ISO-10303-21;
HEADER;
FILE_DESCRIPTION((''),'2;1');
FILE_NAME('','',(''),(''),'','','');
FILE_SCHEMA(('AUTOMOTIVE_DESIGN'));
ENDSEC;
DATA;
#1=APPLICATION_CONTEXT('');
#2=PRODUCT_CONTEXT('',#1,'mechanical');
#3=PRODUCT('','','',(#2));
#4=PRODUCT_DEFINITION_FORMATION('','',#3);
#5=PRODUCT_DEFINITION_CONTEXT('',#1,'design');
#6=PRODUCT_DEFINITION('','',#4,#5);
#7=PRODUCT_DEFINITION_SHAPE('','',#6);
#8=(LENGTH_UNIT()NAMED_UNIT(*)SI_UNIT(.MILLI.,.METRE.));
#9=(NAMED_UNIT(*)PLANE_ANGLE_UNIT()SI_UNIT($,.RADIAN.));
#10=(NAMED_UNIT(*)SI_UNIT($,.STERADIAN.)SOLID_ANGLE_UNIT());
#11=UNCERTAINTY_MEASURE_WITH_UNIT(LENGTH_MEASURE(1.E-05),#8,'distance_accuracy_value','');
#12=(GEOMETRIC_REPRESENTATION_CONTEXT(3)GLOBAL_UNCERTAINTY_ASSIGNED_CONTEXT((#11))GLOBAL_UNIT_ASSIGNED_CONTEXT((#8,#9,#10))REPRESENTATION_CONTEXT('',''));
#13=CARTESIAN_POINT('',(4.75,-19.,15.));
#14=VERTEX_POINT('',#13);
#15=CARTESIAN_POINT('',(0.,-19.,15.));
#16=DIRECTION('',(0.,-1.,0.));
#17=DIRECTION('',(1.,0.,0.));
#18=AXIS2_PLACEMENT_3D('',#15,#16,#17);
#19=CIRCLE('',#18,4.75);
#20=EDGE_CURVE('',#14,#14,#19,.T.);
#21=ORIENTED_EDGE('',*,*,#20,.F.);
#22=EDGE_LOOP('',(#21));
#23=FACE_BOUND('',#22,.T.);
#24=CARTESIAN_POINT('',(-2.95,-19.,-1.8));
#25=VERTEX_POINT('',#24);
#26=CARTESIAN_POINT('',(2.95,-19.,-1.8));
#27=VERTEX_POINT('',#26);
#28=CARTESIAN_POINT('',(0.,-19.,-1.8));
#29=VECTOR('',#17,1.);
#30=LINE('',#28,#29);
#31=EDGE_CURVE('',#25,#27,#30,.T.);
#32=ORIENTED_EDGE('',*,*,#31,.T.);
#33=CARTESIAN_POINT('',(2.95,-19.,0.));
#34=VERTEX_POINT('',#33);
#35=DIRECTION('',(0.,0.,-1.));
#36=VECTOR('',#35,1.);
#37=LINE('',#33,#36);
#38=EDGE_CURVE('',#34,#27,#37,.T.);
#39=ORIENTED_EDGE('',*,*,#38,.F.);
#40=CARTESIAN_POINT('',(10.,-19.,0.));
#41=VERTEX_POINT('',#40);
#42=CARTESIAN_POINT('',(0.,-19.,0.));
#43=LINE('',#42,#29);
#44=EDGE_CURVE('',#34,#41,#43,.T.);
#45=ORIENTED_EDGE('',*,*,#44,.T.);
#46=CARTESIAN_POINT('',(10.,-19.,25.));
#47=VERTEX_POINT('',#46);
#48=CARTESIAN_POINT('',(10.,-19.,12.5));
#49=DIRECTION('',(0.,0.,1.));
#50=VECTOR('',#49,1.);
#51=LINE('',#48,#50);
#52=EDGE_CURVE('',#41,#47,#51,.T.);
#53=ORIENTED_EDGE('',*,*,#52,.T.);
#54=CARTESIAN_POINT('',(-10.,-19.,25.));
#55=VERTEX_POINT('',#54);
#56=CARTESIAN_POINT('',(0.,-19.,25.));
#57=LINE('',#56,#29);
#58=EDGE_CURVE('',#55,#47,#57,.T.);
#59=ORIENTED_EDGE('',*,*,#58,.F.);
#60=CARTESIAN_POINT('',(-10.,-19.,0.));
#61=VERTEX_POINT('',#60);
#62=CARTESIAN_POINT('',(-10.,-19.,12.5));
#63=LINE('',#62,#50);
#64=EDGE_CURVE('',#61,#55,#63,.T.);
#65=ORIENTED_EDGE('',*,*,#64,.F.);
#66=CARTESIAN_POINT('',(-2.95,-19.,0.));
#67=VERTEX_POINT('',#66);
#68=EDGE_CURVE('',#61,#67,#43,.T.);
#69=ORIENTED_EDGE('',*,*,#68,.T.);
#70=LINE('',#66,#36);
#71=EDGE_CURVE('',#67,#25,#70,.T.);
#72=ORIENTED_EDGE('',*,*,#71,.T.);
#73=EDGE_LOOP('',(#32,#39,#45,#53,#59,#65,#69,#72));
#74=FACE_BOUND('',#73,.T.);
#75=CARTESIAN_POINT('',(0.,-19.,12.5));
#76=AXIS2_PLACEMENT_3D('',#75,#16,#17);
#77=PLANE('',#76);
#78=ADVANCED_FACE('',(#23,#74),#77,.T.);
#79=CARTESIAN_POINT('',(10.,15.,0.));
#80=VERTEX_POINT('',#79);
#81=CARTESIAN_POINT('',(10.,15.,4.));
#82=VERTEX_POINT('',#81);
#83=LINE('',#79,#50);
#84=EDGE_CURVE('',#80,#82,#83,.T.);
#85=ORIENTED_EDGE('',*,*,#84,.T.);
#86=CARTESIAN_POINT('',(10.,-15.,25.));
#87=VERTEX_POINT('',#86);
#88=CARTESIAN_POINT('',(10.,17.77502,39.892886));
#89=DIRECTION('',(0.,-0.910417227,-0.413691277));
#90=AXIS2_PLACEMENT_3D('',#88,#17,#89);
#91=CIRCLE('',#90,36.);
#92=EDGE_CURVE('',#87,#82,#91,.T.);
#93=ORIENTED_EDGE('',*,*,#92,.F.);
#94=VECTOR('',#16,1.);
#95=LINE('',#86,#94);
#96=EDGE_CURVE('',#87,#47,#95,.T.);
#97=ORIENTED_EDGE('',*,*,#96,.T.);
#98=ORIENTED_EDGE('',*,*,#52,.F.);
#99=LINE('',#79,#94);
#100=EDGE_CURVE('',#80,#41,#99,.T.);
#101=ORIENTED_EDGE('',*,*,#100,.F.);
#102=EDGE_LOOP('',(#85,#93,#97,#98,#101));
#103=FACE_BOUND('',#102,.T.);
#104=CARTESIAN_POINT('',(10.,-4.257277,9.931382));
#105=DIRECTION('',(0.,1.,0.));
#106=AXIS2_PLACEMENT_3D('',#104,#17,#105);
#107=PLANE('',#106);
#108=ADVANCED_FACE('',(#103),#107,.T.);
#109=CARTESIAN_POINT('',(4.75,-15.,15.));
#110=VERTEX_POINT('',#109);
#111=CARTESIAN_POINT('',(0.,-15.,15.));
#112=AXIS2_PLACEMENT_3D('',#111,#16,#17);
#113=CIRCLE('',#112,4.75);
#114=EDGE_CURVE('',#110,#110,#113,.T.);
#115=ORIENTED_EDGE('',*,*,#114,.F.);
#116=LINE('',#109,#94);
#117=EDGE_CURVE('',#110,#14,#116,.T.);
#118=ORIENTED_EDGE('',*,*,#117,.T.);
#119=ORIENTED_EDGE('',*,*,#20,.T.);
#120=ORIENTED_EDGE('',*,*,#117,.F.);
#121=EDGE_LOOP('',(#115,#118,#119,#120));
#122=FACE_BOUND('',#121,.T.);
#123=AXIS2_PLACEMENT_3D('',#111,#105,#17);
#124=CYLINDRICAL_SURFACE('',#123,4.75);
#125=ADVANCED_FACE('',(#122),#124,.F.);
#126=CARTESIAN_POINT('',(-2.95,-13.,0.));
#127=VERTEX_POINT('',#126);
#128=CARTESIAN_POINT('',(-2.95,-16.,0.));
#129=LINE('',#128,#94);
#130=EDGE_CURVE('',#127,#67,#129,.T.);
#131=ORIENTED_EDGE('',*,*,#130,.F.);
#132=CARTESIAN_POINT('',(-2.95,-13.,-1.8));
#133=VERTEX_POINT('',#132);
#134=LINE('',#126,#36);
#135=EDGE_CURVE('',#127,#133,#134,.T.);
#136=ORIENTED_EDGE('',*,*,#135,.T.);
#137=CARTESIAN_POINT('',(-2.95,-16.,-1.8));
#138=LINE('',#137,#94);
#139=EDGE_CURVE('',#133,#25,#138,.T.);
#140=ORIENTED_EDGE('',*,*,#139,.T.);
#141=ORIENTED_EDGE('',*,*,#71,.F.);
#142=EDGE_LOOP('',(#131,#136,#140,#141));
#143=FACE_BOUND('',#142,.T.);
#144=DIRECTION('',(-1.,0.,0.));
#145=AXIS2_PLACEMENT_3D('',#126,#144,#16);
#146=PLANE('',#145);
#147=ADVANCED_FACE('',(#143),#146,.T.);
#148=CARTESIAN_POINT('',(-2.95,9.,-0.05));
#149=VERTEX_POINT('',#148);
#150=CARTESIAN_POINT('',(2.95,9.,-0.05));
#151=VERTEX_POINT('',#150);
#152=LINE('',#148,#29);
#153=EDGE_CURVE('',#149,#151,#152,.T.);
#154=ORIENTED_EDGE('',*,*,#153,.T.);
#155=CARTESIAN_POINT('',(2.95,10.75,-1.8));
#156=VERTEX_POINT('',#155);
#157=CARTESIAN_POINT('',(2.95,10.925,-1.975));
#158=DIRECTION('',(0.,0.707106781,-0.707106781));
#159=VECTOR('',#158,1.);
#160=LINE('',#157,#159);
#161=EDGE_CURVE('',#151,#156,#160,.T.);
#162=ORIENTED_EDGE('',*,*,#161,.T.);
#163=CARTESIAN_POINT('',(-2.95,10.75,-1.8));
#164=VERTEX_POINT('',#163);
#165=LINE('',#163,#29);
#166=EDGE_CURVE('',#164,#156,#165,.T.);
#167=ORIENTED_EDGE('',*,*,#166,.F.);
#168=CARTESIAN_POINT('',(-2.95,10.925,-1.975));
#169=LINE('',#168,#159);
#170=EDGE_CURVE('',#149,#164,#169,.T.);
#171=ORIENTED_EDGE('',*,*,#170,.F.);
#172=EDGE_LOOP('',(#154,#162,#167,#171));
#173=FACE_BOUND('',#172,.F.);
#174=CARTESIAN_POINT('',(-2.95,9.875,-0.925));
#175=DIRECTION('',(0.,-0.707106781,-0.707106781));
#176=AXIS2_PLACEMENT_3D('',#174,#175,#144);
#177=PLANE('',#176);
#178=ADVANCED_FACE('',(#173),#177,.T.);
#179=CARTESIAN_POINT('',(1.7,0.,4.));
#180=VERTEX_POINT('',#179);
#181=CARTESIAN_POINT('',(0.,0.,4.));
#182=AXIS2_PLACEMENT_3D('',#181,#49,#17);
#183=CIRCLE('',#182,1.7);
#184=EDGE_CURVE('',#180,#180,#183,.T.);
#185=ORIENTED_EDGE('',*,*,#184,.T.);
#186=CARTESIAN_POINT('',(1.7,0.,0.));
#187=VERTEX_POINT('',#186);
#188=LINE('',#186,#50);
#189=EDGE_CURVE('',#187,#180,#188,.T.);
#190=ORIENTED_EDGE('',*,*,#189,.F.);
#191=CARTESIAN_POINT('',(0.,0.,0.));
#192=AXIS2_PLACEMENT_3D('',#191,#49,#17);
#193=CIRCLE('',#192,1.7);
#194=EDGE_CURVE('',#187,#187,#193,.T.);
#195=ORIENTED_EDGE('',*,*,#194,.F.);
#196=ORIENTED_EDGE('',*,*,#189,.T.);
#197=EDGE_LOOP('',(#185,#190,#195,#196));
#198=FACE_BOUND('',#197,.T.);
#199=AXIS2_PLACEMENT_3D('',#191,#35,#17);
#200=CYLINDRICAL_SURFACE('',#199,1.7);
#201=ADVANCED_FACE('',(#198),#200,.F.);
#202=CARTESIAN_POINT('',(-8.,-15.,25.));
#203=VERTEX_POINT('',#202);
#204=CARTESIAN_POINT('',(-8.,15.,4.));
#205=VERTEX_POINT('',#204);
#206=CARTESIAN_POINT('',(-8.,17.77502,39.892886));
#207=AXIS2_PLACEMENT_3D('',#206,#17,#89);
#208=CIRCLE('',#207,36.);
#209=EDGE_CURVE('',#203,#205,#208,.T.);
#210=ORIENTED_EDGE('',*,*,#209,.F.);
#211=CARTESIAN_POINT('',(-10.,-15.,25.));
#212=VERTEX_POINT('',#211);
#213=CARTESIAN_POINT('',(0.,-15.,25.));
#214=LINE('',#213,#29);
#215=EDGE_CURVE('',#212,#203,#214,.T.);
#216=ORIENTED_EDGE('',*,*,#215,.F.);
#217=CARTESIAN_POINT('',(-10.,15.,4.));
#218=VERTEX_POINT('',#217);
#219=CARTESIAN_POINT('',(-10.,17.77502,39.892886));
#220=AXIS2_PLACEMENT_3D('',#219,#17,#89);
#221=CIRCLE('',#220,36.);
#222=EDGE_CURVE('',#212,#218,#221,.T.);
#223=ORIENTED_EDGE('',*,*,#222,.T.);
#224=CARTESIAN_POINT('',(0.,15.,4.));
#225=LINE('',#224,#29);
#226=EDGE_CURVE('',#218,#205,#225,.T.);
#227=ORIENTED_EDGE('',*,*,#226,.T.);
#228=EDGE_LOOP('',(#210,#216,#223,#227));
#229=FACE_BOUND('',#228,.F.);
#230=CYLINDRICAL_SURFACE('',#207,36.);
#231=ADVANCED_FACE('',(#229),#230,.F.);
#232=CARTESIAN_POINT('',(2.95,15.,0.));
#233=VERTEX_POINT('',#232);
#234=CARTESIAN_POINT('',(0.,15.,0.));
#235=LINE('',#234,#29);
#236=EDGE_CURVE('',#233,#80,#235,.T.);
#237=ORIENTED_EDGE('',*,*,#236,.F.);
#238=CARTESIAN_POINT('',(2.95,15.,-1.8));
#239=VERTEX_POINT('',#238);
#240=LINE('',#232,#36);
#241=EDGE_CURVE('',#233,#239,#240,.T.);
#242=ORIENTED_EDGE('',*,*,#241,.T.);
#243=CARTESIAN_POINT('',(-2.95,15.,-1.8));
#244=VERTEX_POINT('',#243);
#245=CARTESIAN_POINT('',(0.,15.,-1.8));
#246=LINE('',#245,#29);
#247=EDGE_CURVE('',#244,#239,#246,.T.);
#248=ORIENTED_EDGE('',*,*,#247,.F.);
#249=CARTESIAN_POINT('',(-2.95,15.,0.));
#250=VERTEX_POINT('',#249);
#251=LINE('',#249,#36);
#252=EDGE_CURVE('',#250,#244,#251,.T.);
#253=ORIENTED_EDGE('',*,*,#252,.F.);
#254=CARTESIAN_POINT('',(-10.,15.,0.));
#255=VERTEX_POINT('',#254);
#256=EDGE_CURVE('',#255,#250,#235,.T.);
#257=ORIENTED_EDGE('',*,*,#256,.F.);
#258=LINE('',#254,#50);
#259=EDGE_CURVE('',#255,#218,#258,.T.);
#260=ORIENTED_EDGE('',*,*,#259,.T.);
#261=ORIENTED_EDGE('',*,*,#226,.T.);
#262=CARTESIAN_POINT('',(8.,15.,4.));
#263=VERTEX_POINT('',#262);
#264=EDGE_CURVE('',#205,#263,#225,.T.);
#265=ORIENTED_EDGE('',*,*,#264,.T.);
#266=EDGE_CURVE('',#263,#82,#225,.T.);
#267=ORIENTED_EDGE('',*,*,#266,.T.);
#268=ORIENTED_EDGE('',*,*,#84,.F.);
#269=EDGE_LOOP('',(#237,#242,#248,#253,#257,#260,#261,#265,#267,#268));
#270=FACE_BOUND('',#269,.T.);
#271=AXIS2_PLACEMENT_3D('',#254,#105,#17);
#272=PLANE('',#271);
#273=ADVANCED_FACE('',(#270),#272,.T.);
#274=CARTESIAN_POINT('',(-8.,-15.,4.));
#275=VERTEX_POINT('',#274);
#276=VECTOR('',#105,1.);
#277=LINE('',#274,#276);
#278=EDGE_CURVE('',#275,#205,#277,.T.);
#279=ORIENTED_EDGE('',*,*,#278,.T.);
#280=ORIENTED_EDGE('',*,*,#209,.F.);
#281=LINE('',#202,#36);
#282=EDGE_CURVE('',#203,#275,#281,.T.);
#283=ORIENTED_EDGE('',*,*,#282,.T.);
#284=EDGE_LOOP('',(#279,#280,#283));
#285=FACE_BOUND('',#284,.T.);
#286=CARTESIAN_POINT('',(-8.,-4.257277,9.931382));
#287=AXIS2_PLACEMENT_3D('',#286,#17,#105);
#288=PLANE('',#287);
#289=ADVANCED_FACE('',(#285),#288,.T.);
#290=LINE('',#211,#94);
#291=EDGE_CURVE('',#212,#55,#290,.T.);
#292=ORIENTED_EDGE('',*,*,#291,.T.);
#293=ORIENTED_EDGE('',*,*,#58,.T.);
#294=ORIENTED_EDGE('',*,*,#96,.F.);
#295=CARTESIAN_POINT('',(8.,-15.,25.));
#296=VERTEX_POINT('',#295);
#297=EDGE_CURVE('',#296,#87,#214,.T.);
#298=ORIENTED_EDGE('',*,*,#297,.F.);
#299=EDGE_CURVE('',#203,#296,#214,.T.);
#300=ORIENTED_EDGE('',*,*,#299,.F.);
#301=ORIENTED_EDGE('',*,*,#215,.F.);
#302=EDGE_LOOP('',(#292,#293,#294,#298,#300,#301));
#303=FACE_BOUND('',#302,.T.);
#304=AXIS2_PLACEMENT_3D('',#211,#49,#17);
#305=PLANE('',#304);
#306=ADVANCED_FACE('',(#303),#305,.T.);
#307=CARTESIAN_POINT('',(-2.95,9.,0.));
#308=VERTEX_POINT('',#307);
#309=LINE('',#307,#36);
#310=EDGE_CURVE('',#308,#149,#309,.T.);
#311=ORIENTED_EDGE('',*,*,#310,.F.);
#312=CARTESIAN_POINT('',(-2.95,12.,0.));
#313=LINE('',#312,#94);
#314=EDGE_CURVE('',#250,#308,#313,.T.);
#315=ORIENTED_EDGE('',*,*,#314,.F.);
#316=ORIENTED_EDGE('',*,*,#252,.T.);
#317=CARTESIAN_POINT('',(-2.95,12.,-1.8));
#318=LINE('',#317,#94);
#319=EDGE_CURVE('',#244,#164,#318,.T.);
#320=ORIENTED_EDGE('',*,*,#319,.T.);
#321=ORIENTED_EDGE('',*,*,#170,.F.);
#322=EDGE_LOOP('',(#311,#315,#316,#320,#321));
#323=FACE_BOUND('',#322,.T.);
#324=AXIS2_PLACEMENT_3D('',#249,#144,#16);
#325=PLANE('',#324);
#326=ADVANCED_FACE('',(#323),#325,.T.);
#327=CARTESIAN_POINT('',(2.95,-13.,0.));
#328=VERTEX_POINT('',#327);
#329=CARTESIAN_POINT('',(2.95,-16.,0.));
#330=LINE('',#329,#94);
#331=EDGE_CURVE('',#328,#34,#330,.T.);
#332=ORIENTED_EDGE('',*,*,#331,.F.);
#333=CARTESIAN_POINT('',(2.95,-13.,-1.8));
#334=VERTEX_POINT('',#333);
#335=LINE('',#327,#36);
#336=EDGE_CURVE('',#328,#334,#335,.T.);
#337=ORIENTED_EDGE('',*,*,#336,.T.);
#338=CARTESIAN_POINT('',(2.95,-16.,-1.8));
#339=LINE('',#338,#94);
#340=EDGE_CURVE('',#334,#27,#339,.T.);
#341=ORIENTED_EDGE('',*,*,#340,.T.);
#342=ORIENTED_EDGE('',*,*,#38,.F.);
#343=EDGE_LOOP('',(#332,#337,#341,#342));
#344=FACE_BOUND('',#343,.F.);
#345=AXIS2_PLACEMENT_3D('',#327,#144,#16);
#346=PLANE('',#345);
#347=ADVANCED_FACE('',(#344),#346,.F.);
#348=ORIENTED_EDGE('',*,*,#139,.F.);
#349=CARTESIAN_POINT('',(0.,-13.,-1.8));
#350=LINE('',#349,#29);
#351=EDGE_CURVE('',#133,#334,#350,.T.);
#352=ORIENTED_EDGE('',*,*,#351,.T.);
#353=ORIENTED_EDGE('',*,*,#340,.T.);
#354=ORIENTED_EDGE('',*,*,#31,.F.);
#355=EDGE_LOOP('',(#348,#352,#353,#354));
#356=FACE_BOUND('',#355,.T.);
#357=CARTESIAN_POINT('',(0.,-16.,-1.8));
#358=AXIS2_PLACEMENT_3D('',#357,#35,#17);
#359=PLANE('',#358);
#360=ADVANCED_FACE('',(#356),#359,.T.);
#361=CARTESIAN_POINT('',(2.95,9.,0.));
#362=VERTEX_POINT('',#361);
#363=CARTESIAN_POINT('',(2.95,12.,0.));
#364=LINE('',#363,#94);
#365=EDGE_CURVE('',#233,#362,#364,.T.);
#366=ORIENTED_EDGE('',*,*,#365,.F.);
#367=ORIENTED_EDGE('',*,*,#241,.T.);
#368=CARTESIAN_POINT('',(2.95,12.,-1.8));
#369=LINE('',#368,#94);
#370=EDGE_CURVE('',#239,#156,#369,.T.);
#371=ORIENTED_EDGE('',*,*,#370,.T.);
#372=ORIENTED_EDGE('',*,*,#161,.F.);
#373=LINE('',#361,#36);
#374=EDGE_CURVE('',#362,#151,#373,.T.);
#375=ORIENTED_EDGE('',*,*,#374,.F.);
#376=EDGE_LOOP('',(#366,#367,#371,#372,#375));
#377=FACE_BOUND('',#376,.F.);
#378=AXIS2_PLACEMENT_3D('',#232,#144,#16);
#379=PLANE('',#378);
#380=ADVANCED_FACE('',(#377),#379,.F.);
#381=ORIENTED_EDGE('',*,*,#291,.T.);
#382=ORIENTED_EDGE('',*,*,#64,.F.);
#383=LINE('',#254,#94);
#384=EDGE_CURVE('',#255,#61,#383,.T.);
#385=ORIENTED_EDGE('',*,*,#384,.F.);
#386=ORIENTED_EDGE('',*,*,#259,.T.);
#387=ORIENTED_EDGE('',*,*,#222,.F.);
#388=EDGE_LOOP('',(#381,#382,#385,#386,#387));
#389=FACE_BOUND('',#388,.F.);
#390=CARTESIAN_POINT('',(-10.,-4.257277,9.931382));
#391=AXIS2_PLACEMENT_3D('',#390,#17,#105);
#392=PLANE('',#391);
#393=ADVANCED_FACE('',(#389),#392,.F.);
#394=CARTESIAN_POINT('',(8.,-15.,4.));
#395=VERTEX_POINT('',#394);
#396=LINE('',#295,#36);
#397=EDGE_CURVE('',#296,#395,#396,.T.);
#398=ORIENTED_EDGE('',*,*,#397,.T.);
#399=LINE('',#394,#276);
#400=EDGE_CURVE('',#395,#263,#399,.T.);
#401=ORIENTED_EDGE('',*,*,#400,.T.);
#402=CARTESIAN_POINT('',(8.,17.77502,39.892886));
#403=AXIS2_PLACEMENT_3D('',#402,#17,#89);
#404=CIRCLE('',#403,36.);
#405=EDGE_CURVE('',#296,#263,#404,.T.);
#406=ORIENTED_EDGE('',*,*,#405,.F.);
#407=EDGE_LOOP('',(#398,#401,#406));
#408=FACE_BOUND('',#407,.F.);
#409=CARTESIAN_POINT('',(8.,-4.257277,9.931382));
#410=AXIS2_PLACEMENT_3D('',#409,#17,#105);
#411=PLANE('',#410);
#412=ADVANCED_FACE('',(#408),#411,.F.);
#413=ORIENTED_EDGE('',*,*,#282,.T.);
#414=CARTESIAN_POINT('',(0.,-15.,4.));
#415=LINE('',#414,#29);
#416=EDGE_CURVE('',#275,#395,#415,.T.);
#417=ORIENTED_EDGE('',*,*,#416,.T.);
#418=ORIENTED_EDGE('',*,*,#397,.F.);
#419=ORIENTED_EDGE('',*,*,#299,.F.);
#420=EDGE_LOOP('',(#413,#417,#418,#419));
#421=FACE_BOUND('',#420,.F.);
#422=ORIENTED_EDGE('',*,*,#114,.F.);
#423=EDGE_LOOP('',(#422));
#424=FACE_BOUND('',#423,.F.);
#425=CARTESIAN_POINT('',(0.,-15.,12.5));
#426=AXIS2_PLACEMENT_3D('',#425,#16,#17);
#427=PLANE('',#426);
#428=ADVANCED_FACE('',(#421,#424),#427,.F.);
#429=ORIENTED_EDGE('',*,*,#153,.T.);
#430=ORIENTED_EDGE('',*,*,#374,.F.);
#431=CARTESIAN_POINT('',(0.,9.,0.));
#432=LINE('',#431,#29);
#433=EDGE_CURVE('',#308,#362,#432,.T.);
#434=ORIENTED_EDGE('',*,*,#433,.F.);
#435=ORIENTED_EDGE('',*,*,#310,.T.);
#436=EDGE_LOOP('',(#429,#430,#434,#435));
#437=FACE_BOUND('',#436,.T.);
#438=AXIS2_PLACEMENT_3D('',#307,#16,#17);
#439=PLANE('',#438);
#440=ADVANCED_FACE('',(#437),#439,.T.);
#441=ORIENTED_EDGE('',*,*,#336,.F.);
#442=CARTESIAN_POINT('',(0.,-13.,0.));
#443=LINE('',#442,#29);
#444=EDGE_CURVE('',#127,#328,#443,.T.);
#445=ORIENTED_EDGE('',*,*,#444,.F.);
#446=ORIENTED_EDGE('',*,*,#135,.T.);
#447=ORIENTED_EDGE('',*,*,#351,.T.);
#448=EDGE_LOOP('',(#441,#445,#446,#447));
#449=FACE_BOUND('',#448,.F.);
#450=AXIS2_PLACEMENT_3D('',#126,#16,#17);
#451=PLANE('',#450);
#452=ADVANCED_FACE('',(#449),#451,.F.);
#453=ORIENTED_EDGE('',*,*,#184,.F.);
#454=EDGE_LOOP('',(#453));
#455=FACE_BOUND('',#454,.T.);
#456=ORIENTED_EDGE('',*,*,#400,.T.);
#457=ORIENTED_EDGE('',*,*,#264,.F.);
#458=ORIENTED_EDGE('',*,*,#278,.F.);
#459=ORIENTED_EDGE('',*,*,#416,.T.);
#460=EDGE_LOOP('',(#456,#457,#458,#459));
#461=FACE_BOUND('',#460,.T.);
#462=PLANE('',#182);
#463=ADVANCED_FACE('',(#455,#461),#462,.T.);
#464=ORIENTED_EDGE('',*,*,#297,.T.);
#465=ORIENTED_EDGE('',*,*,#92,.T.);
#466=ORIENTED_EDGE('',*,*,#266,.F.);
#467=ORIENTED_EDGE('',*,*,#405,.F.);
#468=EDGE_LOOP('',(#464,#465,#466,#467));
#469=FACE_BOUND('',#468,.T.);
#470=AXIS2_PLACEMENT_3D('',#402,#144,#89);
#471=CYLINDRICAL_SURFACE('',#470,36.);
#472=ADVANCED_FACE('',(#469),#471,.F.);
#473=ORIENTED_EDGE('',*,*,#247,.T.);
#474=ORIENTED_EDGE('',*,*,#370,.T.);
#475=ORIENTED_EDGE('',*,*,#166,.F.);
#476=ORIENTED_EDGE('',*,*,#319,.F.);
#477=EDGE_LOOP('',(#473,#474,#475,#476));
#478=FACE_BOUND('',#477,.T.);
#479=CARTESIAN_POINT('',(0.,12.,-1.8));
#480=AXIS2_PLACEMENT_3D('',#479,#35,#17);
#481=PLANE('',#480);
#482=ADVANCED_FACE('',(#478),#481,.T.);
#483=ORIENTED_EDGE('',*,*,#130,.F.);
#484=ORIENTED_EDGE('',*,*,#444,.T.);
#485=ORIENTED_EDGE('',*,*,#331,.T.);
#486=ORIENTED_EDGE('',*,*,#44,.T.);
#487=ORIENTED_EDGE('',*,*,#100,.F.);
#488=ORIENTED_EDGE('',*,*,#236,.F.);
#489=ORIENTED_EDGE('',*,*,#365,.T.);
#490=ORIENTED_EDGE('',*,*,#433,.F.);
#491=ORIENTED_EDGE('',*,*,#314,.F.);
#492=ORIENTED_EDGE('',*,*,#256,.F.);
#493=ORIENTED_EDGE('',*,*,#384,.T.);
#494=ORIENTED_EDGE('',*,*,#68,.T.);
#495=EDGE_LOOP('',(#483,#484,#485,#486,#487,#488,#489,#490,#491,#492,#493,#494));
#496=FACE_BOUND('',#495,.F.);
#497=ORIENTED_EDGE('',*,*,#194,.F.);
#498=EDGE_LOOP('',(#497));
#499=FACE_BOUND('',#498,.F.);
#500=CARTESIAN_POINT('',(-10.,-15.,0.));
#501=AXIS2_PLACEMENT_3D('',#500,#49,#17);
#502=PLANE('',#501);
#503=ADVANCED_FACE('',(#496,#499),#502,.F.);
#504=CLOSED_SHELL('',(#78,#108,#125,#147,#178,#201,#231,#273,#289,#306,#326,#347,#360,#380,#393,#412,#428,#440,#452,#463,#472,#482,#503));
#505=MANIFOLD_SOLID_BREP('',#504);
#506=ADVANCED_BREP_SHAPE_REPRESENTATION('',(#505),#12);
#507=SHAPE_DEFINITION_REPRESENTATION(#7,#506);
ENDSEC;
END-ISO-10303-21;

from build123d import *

# Parameters (mm, degrees)
SKETCH090_W     = 20
SKETCH090_H     = 30
SKETCH090_R     = 1.7
PAD021_DEPTH    = 4
SKETCH091_W     = 20
SKETCH091_H     = 25
SKETCH091_R     = 4.75
PAD022_DEPTH    = 4
PAD023_DEPTH    = 2
PAD024_DEPTH    = 2
SKETCH094_W     = 5.9
SKETCH094_H     = 6
PAD025_DEPTH    = 1.8
CHAMFER051_SIZE = 1.75


with BuildPart() as part:
    # Sketch090 → Pad021 (new body)
    with BuildSketch(Plane.XY):
        Rectangle(SKETCH090_W, SKETCH090_H)
        Circle(SKETCH090_R, mode=Mode.SUBTRACT)
    extrude(amount=PAD021_DEPTH)

    # Sketch091 → Pad022 (join)
    with BuildSketch(Plane.XZ.offset(15)):
        with Locations((0, 12.5)):
            Rectangle(SKETCH091_W, SKETCH091_H)
        with Locations((0, 15)):
            Circle(SKETCH091_R, mode=Mode.SUBTRACT)
    extrude(amount=PAD022_DEPTH)

    # Sketch092 → Pad023 (join)
    with BuildSketch(Plane.YZ.offset(8)):
        with BuildLine():
            Line((-15, 25), (-15, 4))
            Line((-15, 4), (15, 4))
            ThreePointArc((-15, 25), (-2.8696242204, 10.400536828), (15, 4))
        make_face()
    extrude(amount=PAD023_DEPTH)

    # Sketch093 → Pad024 (join)
    with BuildSketch(Plane.YZ.offset(-8)):
        with BuildLine():
            Line((-15, 25), (-15, 4))
            Line((-15, 4), (15, 4))
            ThreePointArc((-15, 25), (-2.8696242204, 10.400536828), (15, 4))
        make_face()
    extrude(amount=-PAD024_DEPTH)

    # Sketch094 (on Face4 of Pad024) → Pad025 (join)
    with BuildSketch(Plane(origin=(0, 0, 0), x_dir=(1, 0, 0), z_dir=(0, 0, -1))):
        with Locations((0, 16)):
            Rectangle(SKETCH094_W, SKETCH094_H)
        with Locations((0, -12)):
            Rectangle(SKETCH094_W, SKETCH094_H)
    extrude(amount=PAD025_DEPTH)

    # Chamfer051
    chamfer051_edges = [part.edges().sort_by_distance(p)[0] for p in [
        (0, 9, -1.8),
    ]]
    chamfer(chamfer051_edges, length=CHAMFER051_SIZE)


solid = part.part
